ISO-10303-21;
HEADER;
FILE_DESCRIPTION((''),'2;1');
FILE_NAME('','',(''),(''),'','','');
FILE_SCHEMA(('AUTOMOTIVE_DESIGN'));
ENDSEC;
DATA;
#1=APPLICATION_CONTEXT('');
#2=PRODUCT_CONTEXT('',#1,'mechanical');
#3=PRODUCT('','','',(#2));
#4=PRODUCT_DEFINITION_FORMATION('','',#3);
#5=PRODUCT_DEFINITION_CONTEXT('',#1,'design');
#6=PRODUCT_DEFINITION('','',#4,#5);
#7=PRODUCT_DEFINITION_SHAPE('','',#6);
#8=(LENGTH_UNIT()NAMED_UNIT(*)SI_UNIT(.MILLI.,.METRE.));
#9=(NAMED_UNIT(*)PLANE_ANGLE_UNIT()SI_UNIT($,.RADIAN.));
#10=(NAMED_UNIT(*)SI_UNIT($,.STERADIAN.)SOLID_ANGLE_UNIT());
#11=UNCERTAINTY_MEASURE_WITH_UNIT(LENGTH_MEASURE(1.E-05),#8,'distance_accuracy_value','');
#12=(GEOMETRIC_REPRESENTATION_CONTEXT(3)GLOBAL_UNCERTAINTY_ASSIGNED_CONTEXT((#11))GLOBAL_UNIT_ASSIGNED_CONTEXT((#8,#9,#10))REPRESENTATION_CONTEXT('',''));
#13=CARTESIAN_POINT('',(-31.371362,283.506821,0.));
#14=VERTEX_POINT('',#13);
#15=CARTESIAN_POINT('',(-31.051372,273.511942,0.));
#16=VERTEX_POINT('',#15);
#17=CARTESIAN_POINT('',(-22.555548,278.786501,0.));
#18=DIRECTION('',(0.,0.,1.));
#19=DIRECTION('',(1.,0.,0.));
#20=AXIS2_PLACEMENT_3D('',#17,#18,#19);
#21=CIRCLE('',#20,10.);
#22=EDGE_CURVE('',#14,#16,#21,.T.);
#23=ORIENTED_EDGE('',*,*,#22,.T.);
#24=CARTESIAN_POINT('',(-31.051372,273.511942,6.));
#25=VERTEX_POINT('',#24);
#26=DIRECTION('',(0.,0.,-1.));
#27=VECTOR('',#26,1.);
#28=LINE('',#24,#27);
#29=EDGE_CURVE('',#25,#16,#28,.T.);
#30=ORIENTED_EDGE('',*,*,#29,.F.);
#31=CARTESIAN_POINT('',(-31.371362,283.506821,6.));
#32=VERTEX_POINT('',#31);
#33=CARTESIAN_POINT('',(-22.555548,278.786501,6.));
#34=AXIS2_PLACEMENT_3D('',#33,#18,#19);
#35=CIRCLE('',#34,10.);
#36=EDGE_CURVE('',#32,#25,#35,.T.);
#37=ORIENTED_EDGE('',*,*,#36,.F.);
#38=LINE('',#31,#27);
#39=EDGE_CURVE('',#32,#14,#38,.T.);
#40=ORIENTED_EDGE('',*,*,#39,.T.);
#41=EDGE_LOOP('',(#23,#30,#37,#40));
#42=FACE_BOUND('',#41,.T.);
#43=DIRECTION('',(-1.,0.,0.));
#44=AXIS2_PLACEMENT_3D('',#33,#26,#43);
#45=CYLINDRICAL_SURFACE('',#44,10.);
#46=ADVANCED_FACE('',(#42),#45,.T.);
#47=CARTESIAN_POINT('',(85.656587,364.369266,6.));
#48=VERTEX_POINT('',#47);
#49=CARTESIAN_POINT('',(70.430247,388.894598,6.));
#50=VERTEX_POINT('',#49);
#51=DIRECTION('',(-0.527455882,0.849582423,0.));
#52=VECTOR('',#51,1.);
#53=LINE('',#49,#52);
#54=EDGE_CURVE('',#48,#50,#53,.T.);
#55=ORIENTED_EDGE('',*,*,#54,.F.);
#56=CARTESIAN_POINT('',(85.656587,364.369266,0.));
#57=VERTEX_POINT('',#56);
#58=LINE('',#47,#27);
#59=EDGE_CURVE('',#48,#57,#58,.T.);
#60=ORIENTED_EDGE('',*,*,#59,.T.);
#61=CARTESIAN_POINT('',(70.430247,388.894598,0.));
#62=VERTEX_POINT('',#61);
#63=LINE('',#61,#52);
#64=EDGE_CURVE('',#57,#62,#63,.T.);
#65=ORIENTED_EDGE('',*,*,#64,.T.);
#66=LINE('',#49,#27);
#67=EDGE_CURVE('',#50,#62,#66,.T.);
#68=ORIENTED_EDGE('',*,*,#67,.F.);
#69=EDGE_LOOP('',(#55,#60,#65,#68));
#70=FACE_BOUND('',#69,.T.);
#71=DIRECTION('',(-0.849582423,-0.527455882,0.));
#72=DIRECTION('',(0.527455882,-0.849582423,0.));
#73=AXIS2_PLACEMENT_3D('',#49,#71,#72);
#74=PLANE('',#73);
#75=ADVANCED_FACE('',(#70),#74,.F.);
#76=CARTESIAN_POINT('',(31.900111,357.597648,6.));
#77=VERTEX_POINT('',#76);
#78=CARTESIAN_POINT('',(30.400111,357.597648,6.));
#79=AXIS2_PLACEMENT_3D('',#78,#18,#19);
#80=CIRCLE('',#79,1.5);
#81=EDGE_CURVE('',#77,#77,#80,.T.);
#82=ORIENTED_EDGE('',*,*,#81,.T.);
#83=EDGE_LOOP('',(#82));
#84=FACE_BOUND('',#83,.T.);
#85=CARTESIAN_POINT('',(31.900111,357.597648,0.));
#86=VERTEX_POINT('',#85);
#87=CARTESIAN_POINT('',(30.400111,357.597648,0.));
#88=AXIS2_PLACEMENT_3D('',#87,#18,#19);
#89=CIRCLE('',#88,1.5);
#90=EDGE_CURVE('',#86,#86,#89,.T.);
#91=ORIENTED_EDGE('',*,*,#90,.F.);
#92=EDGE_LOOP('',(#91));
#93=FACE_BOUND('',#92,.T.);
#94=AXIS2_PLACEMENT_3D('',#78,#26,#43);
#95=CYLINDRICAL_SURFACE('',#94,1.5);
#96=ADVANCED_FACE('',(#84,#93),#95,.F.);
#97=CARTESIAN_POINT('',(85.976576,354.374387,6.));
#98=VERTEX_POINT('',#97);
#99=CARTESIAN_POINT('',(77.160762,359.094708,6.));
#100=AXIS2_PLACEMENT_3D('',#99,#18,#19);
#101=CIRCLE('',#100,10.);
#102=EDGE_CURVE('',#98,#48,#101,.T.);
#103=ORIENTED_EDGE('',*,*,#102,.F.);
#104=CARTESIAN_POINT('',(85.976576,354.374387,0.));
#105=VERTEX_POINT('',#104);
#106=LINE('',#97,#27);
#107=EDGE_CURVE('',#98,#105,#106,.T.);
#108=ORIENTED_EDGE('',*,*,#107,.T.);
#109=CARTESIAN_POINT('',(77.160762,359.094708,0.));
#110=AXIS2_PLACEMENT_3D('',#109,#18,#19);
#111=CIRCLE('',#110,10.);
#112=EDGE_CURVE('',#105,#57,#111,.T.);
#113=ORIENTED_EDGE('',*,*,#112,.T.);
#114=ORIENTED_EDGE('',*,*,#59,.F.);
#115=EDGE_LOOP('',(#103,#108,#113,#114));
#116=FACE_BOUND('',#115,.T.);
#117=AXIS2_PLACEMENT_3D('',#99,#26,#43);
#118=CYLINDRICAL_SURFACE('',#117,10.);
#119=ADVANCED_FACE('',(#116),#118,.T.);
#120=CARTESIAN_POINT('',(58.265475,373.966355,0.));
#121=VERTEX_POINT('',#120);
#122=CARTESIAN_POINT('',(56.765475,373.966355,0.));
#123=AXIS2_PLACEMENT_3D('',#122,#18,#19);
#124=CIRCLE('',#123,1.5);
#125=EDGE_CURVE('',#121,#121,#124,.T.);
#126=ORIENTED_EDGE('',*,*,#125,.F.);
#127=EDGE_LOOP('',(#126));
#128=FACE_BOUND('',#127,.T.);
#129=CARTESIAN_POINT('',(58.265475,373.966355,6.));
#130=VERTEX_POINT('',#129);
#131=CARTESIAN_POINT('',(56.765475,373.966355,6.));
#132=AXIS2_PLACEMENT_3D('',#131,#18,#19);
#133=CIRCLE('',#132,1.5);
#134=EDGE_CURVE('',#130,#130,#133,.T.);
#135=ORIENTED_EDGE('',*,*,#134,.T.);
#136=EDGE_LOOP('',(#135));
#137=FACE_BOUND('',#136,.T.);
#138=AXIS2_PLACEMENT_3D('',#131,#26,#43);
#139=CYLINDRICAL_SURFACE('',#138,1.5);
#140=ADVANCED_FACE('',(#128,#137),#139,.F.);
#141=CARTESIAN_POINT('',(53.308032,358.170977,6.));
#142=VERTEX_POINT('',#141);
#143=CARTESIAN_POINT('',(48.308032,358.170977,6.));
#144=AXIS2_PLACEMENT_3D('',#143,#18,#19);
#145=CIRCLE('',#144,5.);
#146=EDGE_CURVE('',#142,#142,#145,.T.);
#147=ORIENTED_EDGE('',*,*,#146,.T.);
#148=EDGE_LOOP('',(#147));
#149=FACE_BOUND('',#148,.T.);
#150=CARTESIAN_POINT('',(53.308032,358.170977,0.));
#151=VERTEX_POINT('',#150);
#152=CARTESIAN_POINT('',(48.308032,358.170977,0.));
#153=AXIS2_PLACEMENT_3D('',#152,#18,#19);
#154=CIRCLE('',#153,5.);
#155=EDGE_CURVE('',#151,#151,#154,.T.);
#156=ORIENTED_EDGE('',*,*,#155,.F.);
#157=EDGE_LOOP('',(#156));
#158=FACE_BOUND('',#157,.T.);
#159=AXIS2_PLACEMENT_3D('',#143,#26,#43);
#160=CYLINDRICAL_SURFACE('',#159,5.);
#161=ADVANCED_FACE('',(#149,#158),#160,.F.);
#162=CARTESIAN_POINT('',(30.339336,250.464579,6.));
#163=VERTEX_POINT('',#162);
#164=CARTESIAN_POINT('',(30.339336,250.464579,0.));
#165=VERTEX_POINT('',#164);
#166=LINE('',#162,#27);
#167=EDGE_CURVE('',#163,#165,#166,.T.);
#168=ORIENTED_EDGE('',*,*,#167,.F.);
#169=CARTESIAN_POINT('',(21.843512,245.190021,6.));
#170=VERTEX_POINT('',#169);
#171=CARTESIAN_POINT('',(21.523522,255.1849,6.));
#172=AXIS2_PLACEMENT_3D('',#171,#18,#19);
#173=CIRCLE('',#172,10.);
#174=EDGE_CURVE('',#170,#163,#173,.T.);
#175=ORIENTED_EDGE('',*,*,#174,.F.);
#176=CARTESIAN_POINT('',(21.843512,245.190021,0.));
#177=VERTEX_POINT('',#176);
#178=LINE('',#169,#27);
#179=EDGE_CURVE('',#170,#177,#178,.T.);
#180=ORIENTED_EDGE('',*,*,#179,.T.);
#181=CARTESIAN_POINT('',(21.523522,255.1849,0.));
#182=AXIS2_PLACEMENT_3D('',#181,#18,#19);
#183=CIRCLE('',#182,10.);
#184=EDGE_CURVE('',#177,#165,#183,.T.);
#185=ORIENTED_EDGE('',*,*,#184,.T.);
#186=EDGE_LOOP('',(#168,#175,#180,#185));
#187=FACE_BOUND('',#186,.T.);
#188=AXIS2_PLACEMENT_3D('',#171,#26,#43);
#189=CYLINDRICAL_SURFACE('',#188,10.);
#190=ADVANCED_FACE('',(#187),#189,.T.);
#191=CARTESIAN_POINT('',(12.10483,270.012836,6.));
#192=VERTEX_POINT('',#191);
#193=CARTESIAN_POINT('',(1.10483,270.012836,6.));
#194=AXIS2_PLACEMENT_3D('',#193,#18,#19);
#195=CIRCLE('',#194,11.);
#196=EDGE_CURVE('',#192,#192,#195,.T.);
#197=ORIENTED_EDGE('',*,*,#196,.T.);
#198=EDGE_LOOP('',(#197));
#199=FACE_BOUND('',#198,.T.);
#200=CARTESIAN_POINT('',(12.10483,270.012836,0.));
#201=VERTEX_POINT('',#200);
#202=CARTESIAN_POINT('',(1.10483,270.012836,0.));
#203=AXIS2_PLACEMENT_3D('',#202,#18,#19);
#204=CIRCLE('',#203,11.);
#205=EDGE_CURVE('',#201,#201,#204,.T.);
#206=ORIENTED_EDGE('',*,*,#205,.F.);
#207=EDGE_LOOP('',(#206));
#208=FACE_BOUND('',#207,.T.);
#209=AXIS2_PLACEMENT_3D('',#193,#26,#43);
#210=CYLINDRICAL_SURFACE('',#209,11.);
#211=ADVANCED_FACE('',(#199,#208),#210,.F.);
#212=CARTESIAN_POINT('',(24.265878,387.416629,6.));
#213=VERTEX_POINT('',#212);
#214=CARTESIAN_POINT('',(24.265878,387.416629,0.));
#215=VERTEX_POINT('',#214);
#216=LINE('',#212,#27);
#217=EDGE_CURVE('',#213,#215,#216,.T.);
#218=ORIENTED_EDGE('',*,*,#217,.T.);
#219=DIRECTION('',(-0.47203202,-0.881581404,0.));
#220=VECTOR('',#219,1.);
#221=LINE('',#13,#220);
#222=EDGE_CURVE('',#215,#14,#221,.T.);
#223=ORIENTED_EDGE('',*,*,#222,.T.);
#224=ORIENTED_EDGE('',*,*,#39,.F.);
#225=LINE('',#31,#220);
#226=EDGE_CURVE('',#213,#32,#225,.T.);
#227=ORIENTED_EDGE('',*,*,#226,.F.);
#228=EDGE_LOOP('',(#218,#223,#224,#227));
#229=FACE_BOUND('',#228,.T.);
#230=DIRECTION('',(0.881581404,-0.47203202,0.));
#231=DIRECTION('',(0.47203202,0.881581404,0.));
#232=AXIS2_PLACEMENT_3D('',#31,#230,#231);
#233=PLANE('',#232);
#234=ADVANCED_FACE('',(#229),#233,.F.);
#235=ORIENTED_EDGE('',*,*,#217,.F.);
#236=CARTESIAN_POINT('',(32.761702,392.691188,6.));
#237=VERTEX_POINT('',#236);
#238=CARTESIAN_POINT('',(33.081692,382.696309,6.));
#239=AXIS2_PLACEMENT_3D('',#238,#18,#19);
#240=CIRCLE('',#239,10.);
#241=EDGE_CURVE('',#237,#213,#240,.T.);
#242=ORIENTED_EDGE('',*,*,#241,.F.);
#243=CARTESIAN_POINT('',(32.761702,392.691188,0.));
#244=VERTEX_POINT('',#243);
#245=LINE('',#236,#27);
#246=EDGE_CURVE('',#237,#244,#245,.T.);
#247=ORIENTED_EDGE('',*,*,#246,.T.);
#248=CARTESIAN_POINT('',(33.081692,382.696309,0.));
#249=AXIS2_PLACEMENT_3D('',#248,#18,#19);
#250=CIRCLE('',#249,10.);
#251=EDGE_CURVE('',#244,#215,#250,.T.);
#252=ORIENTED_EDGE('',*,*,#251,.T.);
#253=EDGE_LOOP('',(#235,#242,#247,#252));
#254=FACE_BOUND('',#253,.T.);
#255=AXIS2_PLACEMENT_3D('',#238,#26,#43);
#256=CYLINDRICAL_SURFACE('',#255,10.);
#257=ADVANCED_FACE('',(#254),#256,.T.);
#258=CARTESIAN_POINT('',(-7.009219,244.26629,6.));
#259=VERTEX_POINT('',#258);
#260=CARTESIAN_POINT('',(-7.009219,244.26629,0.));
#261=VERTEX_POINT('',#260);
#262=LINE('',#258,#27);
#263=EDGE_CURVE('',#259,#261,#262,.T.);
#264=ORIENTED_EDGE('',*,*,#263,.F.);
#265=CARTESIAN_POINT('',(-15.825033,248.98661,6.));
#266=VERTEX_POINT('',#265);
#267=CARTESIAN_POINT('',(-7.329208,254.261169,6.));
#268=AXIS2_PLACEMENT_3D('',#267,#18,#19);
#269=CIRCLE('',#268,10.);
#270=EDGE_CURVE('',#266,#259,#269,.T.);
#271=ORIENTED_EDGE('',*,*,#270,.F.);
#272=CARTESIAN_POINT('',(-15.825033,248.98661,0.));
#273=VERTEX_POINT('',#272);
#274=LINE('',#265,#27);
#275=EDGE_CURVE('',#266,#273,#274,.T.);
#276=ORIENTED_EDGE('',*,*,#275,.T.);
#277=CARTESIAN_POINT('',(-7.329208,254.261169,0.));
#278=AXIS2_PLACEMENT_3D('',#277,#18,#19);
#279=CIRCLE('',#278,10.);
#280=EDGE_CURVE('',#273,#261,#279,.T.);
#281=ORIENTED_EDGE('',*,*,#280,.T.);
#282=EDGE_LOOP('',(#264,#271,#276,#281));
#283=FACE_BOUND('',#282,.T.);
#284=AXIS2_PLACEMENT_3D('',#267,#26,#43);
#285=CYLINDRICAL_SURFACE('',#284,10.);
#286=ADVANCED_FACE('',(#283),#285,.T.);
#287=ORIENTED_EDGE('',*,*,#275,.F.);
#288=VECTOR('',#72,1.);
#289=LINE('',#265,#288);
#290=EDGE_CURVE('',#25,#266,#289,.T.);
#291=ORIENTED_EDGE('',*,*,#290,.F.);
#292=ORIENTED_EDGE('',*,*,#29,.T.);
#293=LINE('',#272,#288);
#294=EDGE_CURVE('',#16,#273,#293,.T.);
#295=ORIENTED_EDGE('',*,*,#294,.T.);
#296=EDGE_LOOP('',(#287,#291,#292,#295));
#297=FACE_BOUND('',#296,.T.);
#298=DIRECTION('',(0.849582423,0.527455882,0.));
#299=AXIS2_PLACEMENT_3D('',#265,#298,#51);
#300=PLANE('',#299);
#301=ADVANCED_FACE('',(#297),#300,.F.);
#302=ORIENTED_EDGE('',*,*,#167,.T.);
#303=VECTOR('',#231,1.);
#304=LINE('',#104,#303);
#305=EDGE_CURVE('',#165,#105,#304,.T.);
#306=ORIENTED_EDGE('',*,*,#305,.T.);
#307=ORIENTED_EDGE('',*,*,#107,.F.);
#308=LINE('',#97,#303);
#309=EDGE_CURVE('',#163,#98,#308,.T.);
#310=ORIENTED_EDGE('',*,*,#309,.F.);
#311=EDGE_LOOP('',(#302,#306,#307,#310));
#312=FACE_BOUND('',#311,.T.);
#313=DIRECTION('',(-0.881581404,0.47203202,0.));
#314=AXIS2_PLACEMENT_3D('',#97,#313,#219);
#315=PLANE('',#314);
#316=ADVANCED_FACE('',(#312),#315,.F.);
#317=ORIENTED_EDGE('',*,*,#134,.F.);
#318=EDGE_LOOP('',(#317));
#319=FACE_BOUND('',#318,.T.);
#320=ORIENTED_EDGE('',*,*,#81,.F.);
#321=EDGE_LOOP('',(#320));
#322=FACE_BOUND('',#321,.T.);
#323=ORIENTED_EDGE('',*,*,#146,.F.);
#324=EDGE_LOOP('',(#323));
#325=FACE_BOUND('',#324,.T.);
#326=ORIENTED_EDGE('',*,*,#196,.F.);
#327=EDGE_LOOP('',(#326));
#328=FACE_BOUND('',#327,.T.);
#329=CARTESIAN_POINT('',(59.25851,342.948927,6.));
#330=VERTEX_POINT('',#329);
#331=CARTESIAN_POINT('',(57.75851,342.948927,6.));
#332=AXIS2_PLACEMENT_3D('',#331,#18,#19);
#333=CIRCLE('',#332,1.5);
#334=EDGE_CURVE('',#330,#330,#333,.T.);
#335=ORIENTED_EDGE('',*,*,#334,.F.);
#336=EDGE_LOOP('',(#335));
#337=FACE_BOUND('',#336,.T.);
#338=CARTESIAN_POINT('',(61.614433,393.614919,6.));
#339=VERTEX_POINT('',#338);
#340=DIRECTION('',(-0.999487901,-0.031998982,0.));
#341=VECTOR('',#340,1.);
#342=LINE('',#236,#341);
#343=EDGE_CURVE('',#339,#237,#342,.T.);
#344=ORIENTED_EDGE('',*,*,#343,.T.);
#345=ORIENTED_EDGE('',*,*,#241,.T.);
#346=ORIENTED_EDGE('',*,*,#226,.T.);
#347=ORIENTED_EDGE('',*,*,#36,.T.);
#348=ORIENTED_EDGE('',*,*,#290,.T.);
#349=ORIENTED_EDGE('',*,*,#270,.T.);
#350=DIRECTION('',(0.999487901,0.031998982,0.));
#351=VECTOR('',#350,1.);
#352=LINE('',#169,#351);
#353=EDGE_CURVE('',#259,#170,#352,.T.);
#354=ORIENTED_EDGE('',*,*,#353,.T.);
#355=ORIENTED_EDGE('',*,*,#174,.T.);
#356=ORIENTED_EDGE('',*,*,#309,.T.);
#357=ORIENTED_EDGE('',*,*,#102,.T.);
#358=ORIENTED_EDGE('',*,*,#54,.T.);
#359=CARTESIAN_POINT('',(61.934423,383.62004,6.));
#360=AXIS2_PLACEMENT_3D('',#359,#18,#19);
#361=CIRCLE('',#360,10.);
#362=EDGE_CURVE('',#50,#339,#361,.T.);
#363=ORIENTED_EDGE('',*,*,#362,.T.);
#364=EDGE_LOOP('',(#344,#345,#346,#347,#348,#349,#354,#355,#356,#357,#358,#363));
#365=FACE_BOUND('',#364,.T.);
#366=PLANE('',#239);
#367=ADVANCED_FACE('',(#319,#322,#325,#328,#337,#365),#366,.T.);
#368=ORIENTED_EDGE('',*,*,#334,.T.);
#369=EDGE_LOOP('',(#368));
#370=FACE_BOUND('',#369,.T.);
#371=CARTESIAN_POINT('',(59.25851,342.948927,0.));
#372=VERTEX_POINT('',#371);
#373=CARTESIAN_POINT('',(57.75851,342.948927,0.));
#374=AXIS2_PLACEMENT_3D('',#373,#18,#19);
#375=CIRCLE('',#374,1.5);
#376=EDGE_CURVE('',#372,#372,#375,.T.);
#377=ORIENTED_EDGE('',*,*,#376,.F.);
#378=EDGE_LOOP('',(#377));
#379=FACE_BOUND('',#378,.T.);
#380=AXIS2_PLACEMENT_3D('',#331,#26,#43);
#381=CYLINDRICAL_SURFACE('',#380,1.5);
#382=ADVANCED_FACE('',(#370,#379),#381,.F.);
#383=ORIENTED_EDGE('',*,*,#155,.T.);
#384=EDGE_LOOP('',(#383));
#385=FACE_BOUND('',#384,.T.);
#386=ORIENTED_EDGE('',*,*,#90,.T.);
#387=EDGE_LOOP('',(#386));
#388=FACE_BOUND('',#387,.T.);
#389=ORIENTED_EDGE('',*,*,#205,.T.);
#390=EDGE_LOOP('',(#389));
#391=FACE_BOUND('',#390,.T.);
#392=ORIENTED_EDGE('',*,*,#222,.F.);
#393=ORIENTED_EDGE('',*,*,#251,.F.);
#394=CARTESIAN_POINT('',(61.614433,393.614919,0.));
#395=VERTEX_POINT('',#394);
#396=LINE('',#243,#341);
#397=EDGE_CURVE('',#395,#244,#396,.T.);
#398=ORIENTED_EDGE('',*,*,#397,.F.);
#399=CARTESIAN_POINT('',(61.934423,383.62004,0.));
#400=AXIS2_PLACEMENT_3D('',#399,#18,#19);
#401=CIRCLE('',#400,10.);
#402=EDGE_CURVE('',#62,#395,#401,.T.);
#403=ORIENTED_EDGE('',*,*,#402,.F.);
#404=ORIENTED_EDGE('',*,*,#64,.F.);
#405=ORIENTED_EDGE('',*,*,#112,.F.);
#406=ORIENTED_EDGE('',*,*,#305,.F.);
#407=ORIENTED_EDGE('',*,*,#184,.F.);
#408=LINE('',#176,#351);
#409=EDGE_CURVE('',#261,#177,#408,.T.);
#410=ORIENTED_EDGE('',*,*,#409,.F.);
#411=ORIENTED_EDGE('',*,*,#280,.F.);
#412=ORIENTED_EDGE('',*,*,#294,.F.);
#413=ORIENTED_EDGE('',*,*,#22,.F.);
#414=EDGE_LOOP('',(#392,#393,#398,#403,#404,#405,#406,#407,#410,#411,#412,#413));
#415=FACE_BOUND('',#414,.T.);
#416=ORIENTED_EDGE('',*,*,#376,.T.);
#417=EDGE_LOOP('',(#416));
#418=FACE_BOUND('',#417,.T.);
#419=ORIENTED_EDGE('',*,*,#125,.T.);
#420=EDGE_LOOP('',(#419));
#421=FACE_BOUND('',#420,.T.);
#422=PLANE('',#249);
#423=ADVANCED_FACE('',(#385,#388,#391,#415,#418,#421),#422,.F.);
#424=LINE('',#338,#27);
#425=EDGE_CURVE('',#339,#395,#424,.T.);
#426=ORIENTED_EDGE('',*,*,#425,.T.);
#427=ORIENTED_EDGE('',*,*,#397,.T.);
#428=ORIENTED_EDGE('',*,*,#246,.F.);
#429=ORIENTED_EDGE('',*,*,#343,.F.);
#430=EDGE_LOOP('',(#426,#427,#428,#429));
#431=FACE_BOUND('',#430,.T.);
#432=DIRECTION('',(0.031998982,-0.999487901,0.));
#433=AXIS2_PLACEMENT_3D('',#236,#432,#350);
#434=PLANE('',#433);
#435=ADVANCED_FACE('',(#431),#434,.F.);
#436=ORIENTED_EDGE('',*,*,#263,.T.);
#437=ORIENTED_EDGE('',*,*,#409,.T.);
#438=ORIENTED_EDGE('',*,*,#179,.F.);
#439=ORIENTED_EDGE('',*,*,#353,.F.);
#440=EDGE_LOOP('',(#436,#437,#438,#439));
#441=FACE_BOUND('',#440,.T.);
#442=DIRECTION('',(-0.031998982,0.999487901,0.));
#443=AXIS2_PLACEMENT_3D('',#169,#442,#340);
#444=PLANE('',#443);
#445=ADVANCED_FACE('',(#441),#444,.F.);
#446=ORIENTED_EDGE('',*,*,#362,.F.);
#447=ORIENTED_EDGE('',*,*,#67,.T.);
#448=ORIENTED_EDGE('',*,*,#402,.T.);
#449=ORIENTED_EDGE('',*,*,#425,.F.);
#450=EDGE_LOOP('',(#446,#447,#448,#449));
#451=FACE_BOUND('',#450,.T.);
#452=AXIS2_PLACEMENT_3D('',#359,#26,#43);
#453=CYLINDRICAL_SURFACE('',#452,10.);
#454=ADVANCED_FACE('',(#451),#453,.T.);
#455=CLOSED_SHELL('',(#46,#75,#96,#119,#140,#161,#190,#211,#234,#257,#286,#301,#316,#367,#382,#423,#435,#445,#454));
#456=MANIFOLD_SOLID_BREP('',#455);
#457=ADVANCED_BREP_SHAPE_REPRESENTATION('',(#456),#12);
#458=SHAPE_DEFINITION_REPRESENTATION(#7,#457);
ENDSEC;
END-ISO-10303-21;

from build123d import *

# Parameters (mm, degrees)
SKETCH1_R           = 11
SKETCH1_R_2         = 1.5
SKETCH1_R_3         = 5
BOSS_EXTRUDE1_DEPTH = 6


with BuildPart() as part:
    # Sketch1 → Boss-Extrude1 (new body)
    with BuildSketch(Plane.XY):
        with BuildLine():
            Line((32.761702384, 392.691187588), (61.614432832, 393.614918623))
            ThreePointArc((61.614432832, 393.614918623), (66.654742846, 392.435853651), (70.430246875, 388.894598426))
            Line((70.430246875, 388.894598426), (85.656586641, 364.369266407))
            ThreePointArc((85.656586641, 364.369266407), (87.15564143, 359.414697406), (85.976576458, 354.374387393))
            Line((85.976576458, 354.374387393), (30.339336025, 250.464579356))
            ThreePointArc((30.339336025, 250.464579356), (26.7980808, 246.689075327), (21.843511799, 245.190020539))
            Line((21.843511799, 245.190020539), (-7.009218649, 244.266289504))
            ThreePointArc((-7.009218649, 244.266289504), (-12.049528663, 245.445354475), (-15.825032692, 248.9866097))
            Line((-15.825032692, 248.9866097), (-31.051372458, 273.511941719))
            ThreePointArc((-31.051372458, 273.511941719), (-32.550427247, 278.46651072), (-31.371362275, 283.506820734))
            Line((-31.371362275, 283.506820734), (24.265878158, 387.41662877))
            ThreePointArc((24.265878158, 387.41662877), (27.807133383, 391.192132799), (32.761702384, 392.691187588))
        make_face()
        with Locations((1.104829999, 270.012836125)):
            Circle(SKETCH1_R, mode=Mode.SUBTRACT)
        with Locations((57.758509759, 342.948926532)):
            Circle(SKETCH1_R_2, mode=Mode.SUBTRACT)
        with Locations((56.765475088, 373.966355411)):
            Circle(SKETCH1_R_2, mode=Mode.SUBTRACT)
        with Locations((30.400111055, 357.59764772)):
            Circle(SKETCH1_R_2, mode=Mode.SUBTRACT)
        with Locations((48.308031967, 358.170976554)):
            Circle(SKETCH1_R_3, mode=Mode.SUBTRACT)
    extrude(amount=BOSS_EXTRUDE1_DEPTH)


solid = part.part
